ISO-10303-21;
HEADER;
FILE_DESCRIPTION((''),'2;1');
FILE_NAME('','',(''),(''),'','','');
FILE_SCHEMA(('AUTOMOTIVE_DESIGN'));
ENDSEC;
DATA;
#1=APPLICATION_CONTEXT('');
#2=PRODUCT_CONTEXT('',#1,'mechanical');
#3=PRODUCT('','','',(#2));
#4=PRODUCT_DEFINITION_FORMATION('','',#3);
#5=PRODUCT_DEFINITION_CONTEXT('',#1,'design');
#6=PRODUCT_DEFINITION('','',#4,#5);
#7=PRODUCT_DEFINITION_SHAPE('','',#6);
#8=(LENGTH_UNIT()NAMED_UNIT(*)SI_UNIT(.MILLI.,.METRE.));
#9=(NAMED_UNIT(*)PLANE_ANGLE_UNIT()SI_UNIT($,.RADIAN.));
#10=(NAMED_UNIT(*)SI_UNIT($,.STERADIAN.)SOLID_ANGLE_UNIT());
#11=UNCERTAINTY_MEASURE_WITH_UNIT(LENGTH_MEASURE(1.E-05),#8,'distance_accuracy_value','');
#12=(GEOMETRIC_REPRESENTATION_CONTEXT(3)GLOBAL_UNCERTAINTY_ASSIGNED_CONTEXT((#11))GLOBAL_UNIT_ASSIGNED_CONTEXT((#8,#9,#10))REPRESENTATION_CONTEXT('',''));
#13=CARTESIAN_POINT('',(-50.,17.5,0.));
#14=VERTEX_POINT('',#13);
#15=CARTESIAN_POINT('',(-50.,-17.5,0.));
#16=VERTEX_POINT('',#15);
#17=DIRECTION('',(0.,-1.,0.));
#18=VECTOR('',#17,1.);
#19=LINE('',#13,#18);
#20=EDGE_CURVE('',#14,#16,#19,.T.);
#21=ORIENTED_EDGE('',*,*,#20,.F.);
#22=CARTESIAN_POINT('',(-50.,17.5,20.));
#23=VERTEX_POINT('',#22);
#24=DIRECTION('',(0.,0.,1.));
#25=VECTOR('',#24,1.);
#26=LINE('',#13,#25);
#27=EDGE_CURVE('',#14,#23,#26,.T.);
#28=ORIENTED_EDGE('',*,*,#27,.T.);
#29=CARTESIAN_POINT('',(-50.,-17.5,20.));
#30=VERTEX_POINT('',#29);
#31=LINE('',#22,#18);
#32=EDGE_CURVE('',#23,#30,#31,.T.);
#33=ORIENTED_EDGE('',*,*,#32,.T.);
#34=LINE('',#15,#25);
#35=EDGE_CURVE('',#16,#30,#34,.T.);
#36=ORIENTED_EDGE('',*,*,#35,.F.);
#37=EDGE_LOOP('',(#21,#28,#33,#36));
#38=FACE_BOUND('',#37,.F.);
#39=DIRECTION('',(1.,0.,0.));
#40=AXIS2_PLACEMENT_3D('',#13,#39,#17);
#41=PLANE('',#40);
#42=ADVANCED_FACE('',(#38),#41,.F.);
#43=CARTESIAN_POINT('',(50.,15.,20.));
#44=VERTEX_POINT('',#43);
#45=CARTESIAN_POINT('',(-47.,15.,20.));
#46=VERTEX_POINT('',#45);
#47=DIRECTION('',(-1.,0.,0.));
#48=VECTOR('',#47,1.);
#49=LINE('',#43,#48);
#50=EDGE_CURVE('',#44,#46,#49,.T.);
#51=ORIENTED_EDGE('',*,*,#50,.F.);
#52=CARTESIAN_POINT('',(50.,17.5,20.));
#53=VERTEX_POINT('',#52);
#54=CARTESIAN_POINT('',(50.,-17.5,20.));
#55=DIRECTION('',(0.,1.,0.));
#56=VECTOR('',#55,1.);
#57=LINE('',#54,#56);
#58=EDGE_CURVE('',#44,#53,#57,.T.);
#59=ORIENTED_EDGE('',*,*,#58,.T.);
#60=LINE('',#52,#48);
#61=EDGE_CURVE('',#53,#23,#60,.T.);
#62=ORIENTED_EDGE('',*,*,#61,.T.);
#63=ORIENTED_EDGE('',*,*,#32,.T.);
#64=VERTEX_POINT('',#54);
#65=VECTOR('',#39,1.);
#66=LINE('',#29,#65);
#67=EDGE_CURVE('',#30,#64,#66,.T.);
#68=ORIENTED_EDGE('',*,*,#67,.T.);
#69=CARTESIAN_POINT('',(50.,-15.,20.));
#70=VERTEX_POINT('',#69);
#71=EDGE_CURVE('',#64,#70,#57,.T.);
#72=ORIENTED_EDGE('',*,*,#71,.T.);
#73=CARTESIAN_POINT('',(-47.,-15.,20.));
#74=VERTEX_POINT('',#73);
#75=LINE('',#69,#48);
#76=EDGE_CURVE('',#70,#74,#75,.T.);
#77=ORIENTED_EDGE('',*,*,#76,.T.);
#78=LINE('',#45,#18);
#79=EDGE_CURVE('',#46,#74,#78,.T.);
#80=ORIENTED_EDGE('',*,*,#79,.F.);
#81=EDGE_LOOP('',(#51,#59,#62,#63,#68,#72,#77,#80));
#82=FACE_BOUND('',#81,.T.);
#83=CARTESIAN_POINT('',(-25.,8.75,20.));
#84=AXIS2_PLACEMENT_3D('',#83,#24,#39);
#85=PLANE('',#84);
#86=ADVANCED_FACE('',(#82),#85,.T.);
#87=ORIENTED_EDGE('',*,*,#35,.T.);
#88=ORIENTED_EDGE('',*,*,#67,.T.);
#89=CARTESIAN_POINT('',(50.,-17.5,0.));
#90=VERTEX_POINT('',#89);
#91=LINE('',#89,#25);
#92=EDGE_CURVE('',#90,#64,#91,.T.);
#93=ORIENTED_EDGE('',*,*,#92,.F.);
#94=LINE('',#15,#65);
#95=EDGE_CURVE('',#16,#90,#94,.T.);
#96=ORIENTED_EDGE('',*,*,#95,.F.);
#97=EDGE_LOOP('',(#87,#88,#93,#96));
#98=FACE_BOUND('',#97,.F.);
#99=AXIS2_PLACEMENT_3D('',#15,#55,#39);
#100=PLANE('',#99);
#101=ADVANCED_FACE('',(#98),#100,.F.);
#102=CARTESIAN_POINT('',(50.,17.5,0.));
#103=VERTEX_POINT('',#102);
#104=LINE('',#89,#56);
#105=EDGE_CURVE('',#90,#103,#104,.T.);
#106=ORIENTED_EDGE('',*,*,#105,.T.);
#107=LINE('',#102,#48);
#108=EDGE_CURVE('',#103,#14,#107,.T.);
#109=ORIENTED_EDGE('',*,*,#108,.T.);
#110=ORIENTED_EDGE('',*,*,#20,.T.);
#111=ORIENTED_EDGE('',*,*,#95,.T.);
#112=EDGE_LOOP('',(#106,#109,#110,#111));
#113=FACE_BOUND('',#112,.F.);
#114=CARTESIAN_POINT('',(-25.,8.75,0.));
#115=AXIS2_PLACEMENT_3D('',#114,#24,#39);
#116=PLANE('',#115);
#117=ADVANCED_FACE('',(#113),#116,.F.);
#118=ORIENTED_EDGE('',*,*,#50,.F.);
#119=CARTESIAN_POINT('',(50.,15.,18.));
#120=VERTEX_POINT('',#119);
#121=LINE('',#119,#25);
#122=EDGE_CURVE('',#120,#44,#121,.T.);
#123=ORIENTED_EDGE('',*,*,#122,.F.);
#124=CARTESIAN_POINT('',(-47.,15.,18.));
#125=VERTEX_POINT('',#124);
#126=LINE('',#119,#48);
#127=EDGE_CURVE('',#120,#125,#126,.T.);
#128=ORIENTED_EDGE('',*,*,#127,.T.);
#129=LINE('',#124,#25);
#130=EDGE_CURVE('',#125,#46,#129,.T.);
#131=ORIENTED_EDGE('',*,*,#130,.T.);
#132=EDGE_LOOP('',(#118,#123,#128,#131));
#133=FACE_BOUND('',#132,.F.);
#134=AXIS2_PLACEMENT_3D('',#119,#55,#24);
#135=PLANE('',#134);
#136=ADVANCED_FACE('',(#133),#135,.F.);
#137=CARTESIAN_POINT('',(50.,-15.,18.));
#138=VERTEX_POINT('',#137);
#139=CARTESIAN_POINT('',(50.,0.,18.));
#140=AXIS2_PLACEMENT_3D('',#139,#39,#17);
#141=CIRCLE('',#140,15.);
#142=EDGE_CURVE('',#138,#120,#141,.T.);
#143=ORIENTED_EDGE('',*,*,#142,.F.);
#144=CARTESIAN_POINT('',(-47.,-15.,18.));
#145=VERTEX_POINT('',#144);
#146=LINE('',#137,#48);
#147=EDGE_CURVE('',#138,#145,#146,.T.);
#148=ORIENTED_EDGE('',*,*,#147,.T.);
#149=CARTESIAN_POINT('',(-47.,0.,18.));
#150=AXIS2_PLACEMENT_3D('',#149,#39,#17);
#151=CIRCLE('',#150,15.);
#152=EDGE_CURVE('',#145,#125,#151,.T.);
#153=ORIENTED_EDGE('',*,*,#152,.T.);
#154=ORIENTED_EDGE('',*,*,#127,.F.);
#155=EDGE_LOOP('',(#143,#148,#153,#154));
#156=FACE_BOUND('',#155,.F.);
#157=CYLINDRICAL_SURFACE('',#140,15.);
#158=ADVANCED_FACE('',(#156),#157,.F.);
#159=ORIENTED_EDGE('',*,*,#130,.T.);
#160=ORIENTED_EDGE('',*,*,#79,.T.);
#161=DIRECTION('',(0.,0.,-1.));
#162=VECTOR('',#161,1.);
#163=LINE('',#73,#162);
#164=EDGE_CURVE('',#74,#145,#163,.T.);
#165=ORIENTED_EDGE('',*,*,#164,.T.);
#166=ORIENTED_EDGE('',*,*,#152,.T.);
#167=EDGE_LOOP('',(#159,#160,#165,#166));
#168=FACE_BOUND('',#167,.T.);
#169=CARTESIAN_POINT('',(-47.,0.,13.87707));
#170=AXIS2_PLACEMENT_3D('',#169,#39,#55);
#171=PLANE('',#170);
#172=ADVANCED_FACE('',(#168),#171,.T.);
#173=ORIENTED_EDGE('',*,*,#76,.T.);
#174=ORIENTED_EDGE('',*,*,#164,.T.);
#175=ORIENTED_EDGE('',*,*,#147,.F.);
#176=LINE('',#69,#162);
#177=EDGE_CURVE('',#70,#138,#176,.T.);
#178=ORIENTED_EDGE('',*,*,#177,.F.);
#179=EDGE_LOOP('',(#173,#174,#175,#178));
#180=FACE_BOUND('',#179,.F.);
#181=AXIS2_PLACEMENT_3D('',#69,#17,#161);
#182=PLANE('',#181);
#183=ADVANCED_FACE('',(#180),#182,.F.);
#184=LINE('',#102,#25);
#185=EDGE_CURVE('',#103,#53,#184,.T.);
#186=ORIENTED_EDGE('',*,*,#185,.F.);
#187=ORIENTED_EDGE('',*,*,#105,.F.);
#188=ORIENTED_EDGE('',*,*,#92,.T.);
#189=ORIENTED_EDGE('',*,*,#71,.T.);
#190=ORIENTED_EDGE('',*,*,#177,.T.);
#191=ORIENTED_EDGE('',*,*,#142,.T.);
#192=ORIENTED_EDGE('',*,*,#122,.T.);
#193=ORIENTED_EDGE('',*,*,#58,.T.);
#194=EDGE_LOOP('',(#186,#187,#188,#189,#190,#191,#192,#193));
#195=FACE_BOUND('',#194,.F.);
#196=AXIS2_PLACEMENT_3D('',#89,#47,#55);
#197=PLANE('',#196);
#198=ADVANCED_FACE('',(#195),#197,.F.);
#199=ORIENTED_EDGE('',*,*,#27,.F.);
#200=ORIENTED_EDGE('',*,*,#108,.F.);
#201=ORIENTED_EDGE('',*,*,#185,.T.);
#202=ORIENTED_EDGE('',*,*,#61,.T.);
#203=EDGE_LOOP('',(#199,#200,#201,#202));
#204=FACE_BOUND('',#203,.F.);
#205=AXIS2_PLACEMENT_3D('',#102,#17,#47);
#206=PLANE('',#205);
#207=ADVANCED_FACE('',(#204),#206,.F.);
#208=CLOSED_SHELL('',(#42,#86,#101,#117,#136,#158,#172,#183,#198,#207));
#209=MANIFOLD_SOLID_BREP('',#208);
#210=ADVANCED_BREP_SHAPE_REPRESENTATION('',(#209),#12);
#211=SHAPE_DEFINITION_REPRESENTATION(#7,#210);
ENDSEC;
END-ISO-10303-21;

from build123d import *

# Parameters (mm, degrees)
F0_W     = 50
F0_H     = 17.5
F1_DEPTH = 20
F3_DEPTH = 97


with BuildPart() as f1:
    # F0 (on Top) → F1 (new body)
    with BuildSketch(Plane.XY):
        with Locations((-25, 8.75)):
            Rectangle(F0_W, F0_H)
        with Locations((25, 8.75)):
            Rectangle(F0_W, F0_H)
        with Locations((-25, -8.75)):
            Rectangle(F0_W, F0_H)
        with Locations((25, -8.75)):
            Rectangle(F0_W, F0_H)
    extrude(amount=F1_DEPTH)

    # F2 (on face) → F3 (cut)
    with BuildSketch(Plane.YZ.offset(50)):
        with BuildLine():
            ThreePointArc((-15, 18), (0, 3), (15, 18))
            Line((15, 18), (15, 20))
            Line((15, 20), (-15, 20))
            Line((-15, 20), (-15, 18))
        make_face()
    extrude(amount=-F3_DEPTH, mode=Mode.SUBTRACT)


solid = f1.part
